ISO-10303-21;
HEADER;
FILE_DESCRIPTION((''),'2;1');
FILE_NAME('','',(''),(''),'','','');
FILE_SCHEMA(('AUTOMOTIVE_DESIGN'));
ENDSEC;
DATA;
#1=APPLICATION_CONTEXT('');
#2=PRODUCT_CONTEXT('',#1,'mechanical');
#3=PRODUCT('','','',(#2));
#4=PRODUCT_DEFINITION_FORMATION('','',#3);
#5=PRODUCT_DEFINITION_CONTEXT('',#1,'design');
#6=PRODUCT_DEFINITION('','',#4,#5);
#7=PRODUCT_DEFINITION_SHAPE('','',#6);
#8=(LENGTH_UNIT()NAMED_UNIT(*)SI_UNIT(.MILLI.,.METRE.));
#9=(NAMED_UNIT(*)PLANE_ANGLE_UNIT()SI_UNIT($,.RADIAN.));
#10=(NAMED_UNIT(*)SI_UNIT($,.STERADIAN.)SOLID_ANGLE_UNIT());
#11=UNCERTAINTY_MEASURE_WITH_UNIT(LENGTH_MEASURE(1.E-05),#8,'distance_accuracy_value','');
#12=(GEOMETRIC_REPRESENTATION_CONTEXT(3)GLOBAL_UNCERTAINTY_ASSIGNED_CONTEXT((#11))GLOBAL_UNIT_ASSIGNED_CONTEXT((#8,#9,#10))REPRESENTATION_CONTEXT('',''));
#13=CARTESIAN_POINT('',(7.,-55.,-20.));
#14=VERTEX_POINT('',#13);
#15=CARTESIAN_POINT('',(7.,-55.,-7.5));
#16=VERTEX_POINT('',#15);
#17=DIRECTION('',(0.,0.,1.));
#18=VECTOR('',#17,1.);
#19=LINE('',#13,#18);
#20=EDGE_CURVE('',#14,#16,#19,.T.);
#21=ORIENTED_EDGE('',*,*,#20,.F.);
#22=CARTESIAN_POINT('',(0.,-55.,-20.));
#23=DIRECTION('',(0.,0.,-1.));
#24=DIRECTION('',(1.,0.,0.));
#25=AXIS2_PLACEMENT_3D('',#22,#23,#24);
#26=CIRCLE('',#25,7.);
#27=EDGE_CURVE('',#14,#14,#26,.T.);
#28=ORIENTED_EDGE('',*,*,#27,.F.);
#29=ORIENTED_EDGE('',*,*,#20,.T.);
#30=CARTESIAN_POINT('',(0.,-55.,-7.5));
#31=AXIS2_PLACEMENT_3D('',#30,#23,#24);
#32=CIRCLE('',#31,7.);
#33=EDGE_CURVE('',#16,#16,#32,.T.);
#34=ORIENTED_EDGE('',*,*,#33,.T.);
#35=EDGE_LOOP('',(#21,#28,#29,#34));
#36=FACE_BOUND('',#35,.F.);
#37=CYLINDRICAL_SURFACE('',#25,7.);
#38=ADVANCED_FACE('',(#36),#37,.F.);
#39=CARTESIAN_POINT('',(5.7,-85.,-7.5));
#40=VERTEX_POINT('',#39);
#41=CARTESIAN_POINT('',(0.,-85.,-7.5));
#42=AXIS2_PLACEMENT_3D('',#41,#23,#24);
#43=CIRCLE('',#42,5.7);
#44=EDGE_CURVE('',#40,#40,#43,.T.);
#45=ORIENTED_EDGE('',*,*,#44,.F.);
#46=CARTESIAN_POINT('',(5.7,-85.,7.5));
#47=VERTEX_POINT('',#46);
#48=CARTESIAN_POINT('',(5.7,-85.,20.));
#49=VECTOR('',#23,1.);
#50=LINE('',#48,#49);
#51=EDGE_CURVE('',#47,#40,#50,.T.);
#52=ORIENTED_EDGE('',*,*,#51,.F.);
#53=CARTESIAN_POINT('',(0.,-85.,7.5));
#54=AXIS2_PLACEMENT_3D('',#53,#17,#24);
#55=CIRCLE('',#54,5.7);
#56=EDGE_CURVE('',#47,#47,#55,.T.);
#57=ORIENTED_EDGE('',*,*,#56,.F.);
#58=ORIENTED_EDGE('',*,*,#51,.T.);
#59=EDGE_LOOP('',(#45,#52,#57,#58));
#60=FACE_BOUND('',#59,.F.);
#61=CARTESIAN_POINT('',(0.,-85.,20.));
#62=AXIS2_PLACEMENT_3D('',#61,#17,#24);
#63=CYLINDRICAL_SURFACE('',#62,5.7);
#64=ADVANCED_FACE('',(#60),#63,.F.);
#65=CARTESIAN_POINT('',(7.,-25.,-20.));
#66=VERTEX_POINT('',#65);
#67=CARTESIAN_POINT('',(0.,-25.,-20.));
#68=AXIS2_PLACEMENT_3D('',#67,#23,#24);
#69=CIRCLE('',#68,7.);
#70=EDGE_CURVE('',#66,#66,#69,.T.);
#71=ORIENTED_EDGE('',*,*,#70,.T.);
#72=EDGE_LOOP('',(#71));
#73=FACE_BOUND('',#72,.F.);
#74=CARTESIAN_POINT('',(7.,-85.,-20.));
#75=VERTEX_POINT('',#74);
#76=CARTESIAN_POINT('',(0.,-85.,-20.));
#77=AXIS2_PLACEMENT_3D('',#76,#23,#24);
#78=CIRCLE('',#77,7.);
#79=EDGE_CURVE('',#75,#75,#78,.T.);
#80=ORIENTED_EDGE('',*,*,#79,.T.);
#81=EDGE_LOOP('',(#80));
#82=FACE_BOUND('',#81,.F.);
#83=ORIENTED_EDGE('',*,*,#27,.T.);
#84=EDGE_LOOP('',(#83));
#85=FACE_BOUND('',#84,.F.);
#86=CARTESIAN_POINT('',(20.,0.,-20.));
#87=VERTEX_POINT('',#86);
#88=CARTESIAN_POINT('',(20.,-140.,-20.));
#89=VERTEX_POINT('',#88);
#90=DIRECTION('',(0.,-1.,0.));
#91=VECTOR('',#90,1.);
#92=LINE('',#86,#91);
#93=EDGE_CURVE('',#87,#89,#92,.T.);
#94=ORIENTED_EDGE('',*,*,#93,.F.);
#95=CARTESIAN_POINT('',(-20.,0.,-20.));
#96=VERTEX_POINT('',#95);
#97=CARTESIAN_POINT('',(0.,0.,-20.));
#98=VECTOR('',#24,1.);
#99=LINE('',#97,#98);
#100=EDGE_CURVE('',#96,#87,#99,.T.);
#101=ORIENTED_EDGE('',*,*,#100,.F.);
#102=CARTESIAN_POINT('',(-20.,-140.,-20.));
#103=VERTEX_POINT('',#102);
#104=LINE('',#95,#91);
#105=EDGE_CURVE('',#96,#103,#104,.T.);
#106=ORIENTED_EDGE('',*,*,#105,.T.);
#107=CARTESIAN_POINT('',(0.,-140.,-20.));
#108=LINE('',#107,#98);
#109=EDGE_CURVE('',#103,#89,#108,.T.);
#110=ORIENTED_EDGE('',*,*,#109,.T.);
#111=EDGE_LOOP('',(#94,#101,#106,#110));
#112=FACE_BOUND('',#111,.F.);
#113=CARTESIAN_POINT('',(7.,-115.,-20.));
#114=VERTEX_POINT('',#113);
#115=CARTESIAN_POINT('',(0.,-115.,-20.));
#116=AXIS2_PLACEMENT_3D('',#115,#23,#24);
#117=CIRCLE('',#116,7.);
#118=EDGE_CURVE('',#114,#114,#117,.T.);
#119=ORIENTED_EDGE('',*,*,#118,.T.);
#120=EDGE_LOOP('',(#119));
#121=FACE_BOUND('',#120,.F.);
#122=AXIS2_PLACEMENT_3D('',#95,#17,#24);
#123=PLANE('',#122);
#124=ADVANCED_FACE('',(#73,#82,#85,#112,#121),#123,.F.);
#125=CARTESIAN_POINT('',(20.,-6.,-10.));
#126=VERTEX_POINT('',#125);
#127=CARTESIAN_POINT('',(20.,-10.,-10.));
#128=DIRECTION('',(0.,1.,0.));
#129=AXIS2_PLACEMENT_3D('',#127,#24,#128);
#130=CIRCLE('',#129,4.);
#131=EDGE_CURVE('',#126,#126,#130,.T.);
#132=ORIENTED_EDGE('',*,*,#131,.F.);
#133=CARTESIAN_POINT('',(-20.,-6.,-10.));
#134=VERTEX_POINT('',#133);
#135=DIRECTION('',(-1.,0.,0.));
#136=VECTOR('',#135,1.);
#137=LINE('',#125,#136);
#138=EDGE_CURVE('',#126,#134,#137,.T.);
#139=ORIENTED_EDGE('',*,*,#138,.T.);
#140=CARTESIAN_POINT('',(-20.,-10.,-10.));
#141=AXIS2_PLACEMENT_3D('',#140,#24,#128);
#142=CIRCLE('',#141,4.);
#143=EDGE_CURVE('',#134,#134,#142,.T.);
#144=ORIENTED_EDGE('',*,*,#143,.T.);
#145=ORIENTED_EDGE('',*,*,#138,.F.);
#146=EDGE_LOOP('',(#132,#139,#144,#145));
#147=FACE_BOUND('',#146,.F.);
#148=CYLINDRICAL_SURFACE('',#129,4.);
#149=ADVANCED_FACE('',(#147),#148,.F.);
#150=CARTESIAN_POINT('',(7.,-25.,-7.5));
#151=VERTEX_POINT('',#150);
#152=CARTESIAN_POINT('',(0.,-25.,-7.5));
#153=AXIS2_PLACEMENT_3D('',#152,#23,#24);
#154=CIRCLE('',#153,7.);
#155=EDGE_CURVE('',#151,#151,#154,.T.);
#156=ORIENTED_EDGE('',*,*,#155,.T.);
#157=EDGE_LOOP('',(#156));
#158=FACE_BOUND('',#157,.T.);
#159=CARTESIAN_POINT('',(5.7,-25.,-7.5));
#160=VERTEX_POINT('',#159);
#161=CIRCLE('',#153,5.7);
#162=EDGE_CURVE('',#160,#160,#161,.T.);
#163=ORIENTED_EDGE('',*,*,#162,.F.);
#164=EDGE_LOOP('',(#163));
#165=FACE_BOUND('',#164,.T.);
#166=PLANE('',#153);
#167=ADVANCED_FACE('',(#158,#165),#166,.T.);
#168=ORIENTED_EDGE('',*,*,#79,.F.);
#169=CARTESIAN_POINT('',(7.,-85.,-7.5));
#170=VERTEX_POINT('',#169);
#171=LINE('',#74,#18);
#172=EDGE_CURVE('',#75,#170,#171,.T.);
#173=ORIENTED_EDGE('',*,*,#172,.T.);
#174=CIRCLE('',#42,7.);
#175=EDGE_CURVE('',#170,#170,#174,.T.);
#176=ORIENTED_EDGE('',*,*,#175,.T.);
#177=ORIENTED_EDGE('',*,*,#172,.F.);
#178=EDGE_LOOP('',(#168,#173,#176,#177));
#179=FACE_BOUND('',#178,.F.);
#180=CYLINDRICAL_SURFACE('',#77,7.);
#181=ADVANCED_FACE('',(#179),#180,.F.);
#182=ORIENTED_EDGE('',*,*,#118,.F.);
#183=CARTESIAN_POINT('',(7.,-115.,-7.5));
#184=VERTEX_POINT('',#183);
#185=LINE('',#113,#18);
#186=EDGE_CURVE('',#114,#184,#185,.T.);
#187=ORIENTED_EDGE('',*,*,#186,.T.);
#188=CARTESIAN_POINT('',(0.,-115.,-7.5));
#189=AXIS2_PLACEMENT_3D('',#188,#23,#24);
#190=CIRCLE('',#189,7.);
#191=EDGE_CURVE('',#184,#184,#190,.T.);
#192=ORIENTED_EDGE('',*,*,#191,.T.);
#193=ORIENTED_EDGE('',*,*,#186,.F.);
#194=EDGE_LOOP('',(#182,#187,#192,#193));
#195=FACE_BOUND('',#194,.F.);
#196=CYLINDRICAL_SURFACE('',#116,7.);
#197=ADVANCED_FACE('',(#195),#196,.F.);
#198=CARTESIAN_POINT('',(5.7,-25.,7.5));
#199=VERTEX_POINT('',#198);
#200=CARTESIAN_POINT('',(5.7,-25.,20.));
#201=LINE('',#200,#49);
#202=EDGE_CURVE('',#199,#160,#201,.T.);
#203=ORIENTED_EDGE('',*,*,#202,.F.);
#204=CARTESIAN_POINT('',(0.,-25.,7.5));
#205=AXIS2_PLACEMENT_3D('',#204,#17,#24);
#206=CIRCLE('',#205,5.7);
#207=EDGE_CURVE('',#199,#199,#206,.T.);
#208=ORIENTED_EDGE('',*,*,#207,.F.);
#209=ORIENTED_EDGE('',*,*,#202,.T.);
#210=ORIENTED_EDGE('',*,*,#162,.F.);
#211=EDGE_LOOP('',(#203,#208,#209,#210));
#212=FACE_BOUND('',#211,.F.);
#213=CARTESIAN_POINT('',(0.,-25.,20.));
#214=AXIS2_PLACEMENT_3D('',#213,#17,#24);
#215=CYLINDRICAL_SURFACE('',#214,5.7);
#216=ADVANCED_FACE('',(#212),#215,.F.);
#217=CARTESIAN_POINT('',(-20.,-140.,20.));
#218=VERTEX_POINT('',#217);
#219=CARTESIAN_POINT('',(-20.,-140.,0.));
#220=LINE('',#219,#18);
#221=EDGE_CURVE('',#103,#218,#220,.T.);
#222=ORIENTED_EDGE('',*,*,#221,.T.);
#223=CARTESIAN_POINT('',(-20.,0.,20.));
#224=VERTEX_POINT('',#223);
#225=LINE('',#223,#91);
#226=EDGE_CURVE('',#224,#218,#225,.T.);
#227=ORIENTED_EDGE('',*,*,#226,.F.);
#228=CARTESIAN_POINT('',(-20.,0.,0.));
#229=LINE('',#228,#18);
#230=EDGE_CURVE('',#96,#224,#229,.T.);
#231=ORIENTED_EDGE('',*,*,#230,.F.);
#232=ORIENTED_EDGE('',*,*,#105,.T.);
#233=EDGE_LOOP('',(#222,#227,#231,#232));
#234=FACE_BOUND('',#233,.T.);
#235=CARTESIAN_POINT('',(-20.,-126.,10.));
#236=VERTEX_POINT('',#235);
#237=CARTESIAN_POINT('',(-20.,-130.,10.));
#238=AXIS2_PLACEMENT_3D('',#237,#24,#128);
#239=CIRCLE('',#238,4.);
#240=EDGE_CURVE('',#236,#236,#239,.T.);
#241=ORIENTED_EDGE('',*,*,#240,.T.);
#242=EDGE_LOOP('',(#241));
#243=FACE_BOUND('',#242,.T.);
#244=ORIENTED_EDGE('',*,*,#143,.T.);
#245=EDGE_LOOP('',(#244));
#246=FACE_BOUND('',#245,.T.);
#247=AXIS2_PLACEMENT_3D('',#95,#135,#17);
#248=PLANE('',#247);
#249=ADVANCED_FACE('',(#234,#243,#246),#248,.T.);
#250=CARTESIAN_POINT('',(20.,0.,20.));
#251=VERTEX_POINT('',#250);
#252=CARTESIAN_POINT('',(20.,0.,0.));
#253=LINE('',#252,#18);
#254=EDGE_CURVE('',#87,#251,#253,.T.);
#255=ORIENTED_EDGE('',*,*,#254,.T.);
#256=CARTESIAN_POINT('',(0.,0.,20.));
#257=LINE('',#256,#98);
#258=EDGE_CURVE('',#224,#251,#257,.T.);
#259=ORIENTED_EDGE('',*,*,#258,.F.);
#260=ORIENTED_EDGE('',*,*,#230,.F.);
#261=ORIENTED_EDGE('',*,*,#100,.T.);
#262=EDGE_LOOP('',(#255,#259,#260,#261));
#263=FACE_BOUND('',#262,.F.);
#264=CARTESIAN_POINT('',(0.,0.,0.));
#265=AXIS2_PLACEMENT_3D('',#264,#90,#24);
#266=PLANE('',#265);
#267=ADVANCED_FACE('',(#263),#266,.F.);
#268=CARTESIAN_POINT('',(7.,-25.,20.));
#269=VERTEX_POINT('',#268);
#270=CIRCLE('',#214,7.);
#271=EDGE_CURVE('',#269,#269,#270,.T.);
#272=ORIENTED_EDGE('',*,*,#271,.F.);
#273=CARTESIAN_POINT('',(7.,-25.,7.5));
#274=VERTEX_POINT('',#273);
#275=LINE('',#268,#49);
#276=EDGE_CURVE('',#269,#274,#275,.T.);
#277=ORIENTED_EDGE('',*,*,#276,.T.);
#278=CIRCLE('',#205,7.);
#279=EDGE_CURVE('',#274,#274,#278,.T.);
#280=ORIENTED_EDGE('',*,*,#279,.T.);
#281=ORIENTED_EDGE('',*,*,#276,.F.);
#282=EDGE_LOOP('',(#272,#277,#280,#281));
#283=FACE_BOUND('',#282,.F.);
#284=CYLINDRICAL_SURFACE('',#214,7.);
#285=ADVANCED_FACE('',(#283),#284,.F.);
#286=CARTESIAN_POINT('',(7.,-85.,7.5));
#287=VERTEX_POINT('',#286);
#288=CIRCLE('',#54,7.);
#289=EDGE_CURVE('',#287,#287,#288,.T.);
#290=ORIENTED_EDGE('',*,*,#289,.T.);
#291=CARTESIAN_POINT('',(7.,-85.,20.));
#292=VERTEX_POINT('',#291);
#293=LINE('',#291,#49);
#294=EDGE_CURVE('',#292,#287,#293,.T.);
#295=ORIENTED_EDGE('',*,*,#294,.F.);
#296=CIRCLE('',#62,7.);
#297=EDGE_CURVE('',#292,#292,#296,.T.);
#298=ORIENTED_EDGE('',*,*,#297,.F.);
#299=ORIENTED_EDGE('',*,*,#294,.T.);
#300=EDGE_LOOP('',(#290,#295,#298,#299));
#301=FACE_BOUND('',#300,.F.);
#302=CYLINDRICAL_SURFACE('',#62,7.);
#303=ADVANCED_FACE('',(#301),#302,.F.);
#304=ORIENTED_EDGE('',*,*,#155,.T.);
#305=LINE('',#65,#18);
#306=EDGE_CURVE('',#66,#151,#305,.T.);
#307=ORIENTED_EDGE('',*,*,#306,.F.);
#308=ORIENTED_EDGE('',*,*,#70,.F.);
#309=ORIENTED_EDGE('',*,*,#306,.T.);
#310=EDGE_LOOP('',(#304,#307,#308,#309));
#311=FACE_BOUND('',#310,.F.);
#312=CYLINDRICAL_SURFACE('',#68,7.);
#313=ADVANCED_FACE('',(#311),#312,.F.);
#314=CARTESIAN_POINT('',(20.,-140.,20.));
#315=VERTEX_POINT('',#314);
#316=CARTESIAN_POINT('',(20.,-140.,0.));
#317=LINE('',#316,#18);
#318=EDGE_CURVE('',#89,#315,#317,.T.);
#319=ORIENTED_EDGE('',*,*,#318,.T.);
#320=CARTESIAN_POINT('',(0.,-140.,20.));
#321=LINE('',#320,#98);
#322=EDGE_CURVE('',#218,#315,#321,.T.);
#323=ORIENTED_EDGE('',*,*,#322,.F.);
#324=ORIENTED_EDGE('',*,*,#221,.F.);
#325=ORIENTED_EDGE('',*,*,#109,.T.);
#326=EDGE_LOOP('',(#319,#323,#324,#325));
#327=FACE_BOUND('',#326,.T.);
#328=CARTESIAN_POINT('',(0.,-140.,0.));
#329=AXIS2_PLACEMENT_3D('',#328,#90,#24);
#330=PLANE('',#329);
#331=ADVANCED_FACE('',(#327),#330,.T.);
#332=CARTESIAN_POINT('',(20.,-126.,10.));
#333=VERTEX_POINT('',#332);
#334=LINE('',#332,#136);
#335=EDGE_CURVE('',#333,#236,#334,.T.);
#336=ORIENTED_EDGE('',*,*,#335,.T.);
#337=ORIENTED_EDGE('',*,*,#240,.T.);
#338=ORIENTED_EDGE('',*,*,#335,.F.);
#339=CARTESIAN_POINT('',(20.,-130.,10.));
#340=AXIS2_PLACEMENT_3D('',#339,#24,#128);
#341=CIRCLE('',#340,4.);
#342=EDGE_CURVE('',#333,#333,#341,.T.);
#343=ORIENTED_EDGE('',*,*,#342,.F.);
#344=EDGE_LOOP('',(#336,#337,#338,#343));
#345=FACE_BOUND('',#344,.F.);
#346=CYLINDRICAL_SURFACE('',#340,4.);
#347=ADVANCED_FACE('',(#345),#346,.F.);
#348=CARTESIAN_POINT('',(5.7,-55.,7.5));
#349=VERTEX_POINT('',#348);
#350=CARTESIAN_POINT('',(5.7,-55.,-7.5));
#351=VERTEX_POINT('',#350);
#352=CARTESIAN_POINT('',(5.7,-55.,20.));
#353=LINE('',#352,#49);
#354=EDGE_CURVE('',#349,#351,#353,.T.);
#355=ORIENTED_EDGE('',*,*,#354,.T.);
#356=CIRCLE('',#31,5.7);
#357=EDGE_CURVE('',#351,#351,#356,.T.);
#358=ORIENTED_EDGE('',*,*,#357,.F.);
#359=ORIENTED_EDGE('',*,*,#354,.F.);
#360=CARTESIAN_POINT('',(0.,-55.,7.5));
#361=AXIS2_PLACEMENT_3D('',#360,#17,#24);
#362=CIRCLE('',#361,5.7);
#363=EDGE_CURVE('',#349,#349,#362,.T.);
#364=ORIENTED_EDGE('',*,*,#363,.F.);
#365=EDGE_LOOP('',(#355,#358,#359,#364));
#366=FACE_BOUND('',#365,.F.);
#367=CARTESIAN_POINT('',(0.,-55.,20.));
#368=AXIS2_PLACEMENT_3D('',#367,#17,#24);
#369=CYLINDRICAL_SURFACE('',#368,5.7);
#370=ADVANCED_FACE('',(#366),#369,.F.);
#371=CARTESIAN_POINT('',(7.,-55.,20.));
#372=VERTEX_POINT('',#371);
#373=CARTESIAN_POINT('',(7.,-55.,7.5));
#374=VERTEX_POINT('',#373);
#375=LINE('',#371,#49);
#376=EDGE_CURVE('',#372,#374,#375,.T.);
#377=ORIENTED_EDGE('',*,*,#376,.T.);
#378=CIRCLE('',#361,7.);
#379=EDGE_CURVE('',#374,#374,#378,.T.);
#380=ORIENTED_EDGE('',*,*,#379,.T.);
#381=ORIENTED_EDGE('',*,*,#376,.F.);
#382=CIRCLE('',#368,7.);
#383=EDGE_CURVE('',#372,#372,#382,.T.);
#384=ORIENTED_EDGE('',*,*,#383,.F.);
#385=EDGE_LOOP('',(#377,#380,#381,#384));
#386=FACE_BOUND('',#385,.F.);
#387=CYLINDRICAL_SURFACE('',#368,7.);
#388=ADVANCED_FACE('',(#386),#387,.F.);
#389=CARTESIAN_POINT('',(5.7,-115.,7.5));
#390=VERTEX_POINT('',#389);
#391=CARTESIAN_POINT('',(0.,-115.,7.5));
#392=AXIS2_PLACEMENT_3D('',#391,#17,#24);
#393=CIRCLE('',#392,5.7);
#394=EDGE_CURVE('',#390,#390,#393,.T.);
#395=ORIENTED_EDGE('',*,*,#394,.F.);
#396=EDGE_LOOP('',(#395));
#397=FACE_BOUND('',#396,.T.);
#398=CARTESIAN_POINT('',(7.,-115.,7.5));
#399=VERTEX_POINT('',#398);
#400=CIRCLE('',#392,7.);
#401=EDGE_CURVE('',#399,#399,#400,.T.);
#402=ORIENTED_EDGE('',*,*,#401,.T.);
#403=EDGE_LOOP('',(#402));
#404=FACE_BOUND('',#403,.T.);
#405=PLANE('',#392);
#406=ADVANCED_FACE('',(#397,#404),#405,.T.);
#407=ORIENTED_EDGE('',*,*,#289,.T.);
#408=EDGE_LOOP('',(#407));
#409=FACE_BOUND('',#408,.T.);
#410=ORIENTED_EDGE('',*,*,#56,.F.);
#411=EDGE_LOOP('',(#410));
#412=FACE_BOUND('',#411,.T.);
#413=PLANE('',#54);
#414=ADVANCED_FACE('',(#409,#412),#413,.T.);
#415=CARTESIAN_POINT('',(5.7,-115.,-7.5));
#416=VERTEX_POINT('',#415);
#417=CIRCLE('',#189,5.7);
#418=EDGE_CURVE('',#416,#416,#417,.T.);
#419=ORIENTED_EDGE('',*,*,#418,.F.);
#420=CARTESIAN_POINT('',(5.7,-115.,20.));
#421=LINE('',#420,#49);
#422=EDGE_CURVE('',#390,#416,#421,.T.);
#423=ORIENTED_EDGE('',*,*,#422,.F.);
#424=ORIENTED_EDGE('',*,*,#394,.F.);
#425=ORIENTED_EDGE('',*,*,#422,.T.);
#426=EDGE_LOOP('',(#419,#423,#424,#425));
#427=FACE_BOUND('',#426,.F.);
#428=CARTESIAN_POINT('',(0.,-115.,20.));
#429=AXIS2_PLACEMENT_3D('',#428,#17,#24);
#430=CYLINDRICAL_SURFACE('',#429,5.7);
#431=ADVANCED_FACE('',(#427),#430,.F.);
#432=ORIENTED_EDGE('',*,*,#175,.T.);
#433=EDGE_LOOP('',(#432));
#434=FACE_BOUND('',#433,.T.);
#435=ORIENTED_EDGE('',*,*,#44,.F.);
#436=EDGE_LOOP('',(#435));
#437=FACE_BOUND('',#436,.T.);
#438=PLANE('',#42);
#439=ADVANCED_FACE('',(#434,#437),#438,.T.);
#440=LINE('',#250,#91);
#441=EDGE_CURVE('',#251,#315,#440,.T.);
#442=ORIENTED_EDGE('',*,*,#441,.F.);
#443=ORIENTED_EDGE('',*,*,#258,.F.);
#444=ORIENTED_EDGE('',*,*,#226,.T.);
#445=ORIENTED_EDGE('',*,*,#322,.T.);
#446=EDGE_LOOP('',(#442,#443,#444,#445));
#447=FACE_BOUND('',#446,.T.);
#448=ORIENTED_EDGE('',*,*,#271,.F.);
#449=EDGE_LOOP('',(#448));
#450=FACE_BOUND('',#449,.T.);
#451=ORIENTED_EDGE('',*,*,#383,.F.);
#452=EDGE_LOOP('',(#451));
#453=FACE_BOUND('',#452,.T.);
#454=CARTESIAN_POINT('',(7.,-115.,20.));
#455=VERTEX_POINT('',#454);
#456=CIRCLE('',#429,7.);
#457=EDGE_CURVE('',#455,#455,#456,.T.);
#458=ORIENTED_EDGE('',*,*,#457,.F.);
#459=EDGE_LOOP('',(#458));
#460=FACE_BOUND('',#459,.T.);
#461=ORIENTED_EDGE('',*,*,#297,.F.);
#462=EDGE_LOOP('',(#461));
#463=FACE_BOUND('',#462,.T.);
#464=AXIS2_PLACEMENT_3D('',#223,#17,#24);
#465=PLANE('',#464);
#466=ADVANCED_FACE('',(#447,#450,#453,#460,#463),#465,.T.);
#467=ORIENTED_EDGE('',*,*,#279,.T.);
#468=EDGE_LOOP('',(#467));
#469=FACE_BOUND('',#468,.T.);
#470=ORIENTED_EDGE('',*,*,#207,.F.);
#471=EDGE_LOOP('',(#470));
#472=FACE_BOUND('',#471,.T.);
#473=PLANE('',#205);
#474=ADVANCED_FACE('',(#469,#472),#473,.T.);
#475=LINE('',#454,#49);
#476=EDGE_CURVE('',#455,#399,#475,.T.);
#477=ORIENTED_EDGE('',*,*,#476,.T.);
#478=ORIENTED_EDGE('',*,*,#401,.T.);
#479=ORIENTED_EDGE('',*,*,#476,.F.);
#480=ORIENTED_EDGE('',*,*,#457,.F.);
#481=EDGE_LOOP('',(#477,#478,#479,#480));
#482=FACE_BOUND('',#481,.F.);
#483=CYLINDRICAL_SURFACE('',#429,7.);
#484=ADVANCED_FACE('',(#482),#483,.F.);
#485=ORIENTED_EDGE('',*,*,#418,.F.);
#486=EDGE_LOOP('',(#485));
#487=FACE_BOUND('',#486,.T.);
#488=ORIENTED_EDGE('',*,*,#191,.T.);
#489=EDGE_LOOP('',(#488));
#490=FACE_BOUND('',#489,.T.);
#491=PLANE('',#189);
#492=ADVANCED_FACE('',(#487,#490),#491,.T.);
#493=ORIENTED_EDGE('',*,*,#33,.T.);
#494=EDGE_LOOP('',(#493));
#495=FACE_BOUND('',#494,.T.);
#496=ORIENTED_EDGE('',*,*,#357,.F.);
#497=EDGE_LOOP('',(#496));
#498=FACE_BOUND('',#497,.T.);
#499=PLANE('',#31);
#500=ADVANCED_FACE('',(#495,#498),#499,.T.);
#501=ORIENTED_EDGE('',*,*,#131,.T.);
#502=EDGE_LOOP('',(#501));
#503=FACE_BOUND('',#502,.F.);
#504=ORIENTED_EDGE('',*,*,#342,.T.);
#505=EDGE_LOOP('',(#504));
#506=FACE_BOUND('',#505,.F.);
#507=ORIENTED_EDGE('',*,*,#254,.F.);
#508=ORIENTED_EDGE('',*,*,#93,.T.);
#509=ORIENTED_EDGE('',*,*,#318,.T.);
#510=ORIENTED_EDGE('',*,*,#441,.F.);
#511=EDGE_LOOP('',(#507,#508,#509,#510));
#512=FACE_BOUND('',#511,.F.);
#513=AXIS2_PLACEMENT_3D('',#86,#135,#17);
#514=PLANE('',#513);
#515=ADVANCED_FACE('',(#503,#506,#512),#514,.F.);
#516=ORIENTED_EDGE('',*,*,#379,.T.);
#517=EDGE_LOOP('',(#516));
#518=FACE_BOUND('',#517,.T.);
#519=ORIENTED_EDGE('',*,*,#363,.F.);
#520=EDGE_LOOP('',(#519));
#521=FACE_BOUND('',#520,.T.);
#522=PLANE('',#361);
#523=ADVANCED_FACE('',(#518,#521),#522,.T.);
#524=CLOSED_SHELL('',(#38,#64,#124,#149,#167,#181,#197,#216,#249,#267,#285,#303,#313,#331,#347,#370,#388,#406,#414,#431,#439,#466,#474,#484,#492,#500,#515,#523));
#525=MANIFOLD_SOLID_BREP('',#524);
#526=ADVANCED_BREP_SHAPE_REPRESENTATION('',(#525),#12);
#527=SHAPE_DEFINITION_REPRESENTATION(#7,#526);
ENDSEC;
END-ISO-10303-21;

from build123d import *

# Parameters (mm, degrees)
F0_W     = 40
F0_H     = 40
F1_DEPTH = 140
F2_R     = 5.7
F3_DEPTH = 40
F4_R     = 4
F5_DEPTH = 40
F6_R     = 7
F6_R_2   = 5.7
F7_DEPTH = 12.5
F8_R     = 7
F8_R_2   = 5.7
F9_DEPTH = 12.5


with BuildPart() as f1:
    # F0 (on Front) → F1 (new body)
    with BuildSketch(Plane.XZ):
        Rectangle(F0_W, F0_H)
    extrude(amount=F1_DEPTH)

    # F2 (on face) → F3 (cut)
    with BuildSketch(Plane.XY.offset(20)):
        with Locations((0, -55)):
            Circle(F2_R)
        with Locations((0, -85)):
            Circle(F2_R)
        with Locations((0, -115)):
            Circle(F2_R)
        with Locations((0, -25)):
            Circle(F2_R)
    extrude(amount=-F3_DEPTH, mode=Mode.SUBTRACT)

    # F4 (on face) → F5 (cut)
    with BuildSketch(Plane.YZ.offset(20)):
        with Locations((-130, 10)):
            Circle(F4_R)
        with Locations((-10, -10)):
            Circle(F4_R)
    extrude(amount=-F5_DEPTH, mode=Mode.SUBTRACT)

    # F6 (on face) → F7 (cut)
    with BuildSketch(Plane(origin=(0, 0, -20), x_dir=(1, 0, 0), z_dir=(0, 0, -1))):
        with Locations((0, 115)):
            Circle(F6_R)
        with Locations((0, 115)):
            Circle(F6_R_2, mode=Mode.SUBTRACT)
        with Locations((0, 85)):
            Circle(F6_R)
        with Locations((0, 85)):
            Circle(F6_R_2, mode=Mode.SUBTRACT)
        with Locations((0, 55)):
            Circle(F6_R)
        with Locations((0, 55)):
            Circle(F6_R_2, mode=Mode.SUBTRACT)
        with Locations((0, 25)):
            Circle(F6_R)
        with Locations((0, 25)):
            Circle(F6_R_2, mode=Mode.SUBTRACT)
    extrude(amount=-F7_DEPTH, mode=Mode.SUBTRACT)

    # F8 (on face) → F9 (cut)
    with BuildSketch(Plane.XY.offset(20)):
        with Locations((0, -25)):
            Circle(F8_R)
        with Locations((0, -25)):
            Circle(F8_R_2, mode=Mode.SUBTRACT)
        with Locations((0, -55)):
            Circle(F8_R)
        with Locations((0, -55)):
            Circle(F8_R_2, mode=Mode.SUBTRACT)
        with Locations((0, -85)):
            Circle(F8_R)
        with Locations((0, -85)):
            Circle(F8_R_2, mode=Mode.SUBTRACT)
        with Locations((0, -115)):
            Circle(F8_R)
        with Locations((0, -115)):
            Circle(F8_R_2, mode=Mode.SUBTRACT)
    extrude(amount=-F9_DEPTH, mode=Mode.SUBTRACT)


solid = f1.part
